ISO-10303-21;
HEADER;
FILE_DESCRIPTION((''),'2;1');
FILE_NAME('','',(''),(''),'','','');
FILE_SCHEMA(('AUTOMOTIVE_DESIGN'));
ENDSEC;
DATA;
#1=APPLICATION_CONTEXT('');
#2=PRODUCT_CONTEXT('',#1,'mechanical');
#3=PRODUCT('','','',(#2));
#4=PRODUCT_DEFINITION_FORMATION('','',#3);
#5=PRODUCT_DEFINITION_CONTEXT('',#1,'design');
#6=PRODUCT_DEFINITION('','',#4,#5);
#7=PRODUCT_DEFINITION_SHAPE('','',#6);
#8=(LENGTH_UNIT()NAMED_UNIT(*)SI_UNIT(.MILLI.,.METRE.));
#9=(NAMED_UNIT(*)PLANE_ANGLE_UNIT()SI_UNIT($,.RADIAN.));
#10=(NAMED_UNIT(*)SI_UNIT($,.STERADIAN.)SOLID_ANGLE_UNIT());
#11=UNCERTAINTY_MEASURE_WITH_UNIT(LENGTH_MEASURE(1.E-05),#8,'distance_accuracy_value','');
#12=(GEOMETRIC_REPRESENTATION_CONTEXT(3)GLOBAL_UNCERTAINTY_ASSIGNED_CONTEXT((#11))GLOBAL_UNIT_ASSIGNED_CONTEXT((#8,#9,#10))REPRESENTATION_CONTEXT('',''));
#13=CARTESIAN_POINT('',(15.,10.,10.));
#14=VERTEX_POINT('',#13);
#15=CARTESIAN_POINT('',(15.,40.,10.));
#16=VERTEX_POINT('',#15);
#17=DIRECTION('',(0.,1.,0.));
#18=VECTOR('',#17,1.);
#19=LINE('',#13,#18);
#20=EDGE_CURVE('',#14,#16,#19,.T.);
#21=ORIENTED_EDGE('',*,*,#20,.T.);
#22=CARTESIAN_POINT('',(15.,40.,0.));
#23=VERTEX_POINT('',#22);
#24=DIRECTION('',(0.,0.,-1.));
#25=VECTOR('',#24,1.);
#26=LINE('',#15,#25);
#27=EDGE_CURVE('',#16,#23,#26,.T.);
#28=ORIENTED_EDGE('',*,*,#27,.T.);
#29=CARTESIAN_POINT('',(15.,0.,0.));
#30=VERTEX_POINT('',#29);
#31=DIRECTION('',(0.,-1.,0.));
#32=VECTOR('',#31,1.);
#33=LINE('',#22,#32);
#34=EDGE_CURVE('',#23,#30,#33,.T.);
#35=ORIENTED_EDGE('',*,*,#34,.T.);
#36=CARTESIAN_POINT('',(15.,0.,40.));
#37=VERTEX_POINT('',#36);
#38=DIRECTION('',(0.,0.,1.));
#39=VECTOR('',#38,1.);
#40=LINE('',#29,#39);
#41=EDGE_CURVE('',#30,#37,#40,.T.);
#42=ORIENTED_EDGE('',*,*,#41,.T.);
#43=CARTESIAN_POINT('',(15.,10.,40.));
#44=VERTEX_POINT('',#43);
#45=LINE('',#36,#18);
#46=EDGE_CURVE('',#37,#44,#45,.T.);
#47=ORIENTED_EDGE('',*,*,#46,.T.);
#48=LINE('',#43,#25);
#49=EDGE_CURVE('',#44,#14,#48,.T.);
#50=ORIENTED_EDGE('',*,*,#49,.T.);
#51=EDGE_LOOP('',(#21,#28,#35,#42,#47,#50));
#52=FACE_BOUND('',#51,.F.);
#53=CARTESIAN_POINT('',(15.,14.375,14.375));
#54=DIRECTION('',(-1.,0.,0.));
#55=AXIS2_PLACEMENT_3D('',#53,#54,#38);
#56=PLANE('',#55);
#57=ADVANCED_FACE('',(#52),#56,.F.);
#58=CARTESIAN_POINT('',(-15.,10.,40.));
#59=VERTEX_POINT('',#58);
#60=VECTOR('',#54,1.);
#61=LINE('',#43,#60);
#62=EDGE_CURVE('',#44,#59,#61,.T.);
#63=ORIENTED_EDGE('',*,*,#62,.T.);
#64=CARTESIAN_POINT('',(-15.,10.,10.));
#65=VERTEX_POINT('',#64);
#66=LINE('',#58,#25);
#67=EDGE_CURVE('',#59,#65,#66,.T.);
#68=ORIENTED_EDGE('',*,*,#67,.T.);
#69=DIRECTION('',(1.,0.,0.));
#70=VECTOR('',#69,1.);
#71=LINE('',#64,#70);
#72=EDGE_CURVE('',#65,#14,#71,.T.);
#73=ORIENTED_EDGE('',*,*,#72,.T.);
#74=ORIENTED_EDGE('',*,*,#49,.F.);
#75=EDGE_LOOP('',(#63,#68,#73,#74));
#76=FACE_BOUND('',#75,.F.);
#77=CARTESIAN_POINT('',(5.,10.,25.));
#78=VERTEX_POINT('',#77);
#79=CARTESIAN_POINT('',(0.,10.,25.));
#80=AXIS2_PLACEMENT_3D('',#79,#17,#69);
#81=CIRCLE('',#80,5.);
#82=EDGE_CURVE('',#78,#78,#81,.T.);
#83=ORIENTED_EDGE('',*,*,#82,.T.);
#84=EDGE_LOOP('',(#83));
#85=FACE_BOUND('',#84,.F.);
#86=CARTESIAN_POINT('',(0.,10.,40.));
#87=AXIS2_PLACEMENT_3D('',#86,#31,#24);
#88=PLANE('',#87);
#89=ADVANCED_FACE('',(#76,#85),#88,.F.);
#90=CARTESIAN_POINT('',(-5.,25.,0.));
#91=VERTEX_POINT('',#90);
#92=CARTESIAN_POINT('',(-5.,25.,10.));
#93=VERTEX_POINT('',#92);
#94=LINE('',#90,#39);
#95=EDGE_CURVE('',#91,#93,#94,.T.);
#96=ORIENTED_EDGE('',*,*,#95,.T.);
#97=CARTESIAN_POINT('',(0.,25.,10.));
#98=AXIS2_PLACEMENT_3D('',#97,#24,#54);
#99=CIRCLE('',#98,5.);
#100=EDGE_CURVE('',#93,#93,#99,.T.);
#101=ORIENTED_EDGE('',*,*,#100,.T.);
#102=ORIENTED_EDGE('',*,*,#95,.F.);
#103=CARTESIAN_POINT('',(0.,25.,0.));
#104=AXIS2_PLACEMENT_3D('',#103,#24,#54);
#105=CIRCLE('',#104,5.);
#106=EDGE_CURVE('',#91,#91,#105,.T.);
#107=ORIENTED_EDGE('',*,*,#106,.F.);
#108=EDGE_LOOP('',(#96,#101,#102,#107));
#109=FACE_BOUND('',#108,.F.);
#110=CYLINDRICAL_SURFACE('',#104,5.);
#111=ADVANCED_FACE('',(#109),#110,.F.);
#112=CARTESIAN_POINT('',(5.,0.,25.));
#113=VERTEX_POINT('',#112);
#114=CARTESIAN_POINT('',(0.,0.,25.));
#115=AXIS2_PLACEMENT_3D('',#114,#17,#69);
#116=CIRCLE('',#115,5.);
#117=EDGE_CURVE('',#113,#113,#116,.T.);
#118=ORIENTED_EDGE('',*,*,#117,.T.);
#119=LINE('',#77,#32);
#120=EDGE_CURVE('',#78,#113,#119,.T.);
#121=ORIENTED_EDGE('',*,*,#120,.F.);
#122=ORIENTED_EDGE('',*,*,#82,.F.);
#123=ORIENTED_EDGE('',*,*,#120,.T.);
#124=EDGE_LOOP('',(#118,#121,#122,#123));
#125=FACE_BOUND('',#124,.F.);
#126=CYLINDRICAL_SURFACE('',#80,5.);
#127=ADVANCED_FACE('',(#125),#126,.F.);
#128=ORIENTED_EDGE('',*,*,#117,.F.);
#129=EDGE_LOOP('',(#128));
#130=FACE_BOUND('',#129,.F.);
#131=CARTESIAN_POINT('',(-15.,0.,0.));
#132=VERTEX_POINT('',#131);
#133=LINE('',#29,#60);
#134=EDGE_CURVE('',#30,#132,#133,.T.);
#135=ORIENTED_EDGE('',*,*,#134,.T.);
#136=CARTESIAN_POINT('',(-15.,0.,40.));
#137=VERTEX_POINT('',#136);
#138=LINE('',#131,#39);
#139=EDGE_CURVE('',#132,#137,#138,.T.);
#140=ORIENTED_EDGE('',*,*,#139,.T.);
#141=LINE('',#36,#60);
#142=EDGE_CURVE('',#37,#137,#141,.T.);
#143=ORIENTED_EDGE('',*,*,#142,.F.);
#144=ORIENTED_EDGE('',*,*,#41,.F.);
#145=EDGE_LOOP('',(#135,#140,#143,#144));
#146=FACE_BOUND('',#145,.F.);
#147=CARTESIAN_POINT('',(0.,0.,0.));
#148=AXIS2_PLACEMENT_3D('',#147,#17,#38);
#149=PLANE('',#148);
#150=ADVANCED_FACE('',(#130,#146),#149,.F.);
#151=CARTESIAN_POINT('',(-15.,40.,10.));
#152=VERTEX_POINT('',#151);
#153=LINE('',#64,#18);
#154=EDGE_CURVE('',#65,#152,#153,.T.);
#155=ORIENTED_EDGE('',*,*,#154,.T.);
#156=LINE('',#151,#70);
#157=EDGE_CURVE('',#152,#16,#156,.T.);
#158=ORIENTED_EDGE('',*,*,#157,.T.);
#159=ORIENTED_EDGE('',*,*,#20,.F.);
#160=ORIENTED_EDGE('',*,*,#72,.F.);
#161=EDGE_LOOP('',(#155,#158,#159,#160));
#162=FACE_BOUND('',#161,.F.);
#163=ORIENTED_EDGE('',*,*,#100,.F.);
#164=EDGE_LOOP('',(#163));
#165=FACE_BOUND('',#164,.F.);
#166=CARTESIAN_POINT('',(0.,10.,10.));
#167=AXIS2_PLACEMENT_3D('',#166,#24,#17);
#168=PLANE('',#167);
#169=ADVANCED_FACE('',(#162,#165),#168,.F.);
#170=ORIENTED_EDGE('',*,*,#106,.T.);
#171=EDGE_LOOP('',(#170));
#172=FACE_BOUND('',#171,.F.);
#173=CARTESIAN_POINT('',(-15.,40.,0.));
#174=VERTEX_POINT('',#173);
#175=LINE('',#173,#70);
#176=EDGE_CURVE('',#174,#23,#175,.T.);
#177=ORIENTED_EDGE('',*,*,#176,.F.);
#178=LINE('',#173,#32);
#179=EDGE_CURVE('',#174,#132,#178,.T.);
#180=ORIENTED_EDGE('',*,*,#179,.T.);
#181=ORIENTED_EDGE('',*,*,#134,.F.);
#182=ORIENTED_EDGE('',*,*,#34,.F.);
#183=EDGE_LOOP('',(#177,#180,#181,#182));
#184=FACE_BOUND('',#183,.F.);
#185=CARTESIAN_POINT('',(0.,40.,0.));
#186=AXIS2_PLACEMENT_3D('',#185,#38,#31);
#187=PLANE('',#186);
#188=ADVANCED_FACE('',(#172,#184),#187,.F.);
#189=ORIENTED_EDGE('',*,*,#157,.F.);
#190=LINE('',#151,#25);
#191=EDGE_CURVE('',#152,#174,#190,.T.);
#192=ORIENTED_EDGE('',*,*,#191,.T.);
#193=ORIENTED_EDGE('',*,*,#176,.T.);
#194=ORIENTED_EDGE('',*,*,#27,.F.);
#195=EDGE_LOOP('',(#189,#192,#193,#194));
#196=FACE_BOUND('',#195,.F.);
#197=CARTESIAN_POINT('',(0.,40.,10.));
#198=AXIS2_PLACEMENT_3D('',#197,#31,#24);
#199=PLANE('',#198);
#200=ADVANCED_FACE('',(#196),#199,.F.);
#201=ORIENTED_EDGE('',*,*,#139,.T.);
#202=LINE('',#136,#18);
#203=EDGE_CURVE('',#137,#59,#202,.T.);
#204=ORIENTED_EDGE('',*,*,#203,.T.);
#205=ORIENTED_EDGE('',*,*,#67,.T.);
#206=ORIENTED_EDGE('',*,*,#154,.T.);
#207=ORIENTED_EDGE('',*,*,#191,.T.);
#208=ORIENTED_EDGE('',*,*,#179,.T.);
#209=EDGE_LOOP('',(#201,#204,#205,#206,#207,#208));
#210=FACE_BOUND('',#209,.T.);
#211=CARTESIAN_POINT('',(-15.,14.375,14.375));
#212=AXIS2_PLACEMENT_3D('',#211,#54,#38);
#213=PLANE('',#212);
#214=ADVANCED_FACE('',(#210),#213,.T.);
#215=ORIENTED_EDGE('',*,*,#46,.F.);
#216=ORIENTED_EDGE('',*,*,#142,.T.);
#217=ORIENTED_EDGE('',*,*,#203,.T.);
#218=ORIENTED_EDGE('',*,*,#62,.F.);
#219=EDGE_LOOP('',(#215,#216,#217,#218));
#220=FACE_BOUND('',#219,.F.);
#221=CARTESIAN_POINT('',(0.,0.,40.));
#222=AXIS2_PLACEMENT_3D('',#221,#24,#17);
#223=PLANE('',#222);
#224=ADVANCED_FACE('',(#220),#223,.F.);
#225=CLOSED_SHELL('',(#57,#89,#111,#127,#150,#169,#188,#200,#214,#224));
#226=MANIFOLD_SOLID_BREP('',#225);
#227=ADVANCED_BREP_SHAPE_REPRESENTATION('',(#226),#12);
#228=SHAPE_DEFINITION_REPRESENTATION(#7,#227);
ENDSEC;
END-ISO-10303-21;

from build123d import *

# Parameters (mm, degrees)
BOSS_EXTRUDE1_DEPTH = 15
CUT_EXTRUDE1_REACH  = 42
SKETCH2_R           = 5
CUT_EXTRUDE2_REACH  = 12
SKETCH3_R           = 5


with BuildPart() as part:
    # Sketch1 → Boss-Extrude1 (new body, symmetric)
    with BuildSketch(Plane(origin=(0, 0, 0), x_dir=(0, 0, -1), z_dir=(1, 0, 0))):
        Polygon((0, 40), (0, 0), (-40, 0), (-40, 10), (-10, 10), (-10, 40), align=None)
    extrude(amount=BOSS_EXTRUDE1_DEPTH, both=True)

    # Sketch2 → Cut-Extrude1 (cut, up to next)
    with BuildSketch(Plane(origin=(0, 0, 0), x_dir=(-1, 0, 0), z_dir=(0, 0, -1)), mode=Mode.PRIVATE) as cut_extrude1_sk1:
        with Locations((0, 25)):
            Circle(SKETCH2_R)
    cut_extrude1_tool1 = extrude(cut_extrude1_sk1.sketch, amount=-CUT_EXTRUDE1_REACH, mode=Mode.PRIVATE) & part.part
    add(cut_extrude1_tool1.solids().sort_by_distance((0, 25, 0))[0], mode=Mode.SUBTRACT)

    # Sketch3 → Cut-Extrude2 (cut, up to next)
    with BuildSketch(Plane(origin=(0, 10, 0), x_dir=(1, 0, 0), z_dir=(0, 1, 0)), mode=Mode.PRIVATE) as cut_extrude2_sk1:
        with Locations((0, -25)):
            Circle(SKETCH3_R)
    cut_extrude2_tool1 = extrude(cut_extrude2_sk1.sketch, amount=-CUT_EXTRUDE2_REACH, mode=Mode.PRIVATE) & part.part
    add(cut_extrude2_tool1.solids().sort_by_distance((0, 10, 25))[0], mode=Mode.SUBTRACT)


solid = part.part
